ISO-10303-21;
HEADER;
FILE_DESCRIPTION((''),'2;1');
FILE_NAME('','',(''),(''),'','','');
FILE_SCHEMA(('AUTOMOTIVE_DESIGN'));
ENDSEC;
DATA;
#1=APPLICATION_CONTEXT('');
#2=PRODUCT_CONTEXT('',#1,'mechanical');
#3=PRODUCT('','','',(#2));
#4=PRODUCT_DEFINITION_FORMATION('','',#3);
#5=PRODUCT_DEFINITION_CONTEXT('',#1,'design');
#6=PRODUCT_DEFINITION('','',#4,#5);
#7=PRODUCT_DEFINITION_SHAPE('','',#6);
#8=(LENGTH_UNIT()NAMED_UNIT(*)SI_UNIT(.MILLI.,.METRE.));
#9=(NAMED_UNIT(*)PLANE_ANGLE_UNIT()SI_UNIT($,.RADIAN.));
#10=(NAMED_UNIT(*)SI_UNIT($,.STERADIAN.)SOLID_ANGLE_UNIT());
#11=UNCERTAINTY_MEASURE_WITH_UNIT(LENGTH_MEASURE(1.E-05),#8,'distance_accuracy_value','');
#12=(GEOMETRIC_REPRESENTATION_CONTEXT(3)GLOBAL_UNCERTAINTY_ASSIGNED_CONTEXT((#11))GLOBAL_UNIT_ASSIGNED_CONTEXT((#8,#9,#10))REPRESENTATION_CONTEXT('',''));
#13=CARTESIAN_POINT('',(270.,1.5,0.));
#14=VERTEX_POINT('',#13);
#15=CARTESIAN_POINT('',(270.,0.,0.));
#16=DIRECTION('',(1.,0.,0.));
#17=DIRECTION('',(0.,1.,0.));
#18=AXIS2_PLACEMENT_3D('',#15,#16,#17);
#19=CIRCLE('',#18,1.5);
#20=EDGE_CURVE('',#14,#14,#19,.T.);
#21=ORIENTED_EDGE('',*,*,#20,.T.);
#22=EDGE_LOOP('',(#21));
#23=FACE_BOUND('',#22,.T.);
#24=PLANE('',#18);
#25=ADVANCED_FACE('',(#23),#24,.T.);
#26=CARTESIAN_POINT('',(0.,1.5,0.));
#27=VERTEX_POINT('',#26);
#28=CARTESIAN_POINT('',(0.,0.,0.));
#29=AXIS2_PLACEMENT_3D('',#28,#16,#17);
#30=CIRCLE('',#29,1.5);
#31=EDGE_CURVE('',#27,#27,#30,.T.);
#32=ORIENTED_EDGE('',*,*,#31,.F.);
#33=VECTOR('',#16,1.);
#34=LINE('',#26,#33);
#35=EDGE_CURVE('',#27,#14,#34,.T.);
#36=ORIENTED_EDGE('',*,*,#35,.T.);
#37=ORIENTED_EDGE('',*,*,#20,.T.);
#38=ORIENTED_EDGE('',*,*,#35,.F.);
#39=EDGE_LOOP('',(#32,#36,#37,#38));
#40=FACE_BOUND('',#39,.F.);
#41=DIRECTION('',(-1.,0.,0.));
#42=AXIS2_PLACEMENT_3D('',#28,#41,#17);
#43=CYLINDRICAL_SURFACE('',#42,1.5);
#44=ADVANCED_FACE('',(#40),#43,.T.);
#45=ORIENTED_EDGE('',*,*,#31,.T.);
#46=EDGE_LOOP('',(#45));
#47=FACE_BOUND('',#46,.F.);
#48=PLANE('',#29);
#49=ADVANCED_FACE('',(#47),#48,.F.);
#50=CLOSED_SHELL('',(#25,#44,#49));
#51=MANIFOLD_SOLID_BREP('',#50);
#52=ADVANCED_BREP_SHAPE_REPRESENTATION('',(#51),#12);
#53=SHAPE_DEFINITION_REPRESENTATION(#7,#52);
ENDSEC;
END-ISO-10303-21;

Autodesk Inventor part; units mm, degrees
ref_plane "YZ Plane" through (0, 0, 0) normal (1, 0, 0) x (0, 1, 0)
ref_plane "XZ Plane" through (0, 0, 0) normal (0, 1, 0) x (-1, 0, 0)
ref_plane "XY Plane" through (0, 0, 0) normal (0, 0, 1) x (1, 0, 0)
sketch "Sketch2" plane through (0, 0, 0) normal (1, 0, 0) x (0, 1, 0)
  circle A0 centre (0, 0) radius 1.5
  dimension "d0" = 3
extrude "Extrusion1" add sketch "Sketch2" along normal blind 270
properties part number "beam small 100" material "Laser"
